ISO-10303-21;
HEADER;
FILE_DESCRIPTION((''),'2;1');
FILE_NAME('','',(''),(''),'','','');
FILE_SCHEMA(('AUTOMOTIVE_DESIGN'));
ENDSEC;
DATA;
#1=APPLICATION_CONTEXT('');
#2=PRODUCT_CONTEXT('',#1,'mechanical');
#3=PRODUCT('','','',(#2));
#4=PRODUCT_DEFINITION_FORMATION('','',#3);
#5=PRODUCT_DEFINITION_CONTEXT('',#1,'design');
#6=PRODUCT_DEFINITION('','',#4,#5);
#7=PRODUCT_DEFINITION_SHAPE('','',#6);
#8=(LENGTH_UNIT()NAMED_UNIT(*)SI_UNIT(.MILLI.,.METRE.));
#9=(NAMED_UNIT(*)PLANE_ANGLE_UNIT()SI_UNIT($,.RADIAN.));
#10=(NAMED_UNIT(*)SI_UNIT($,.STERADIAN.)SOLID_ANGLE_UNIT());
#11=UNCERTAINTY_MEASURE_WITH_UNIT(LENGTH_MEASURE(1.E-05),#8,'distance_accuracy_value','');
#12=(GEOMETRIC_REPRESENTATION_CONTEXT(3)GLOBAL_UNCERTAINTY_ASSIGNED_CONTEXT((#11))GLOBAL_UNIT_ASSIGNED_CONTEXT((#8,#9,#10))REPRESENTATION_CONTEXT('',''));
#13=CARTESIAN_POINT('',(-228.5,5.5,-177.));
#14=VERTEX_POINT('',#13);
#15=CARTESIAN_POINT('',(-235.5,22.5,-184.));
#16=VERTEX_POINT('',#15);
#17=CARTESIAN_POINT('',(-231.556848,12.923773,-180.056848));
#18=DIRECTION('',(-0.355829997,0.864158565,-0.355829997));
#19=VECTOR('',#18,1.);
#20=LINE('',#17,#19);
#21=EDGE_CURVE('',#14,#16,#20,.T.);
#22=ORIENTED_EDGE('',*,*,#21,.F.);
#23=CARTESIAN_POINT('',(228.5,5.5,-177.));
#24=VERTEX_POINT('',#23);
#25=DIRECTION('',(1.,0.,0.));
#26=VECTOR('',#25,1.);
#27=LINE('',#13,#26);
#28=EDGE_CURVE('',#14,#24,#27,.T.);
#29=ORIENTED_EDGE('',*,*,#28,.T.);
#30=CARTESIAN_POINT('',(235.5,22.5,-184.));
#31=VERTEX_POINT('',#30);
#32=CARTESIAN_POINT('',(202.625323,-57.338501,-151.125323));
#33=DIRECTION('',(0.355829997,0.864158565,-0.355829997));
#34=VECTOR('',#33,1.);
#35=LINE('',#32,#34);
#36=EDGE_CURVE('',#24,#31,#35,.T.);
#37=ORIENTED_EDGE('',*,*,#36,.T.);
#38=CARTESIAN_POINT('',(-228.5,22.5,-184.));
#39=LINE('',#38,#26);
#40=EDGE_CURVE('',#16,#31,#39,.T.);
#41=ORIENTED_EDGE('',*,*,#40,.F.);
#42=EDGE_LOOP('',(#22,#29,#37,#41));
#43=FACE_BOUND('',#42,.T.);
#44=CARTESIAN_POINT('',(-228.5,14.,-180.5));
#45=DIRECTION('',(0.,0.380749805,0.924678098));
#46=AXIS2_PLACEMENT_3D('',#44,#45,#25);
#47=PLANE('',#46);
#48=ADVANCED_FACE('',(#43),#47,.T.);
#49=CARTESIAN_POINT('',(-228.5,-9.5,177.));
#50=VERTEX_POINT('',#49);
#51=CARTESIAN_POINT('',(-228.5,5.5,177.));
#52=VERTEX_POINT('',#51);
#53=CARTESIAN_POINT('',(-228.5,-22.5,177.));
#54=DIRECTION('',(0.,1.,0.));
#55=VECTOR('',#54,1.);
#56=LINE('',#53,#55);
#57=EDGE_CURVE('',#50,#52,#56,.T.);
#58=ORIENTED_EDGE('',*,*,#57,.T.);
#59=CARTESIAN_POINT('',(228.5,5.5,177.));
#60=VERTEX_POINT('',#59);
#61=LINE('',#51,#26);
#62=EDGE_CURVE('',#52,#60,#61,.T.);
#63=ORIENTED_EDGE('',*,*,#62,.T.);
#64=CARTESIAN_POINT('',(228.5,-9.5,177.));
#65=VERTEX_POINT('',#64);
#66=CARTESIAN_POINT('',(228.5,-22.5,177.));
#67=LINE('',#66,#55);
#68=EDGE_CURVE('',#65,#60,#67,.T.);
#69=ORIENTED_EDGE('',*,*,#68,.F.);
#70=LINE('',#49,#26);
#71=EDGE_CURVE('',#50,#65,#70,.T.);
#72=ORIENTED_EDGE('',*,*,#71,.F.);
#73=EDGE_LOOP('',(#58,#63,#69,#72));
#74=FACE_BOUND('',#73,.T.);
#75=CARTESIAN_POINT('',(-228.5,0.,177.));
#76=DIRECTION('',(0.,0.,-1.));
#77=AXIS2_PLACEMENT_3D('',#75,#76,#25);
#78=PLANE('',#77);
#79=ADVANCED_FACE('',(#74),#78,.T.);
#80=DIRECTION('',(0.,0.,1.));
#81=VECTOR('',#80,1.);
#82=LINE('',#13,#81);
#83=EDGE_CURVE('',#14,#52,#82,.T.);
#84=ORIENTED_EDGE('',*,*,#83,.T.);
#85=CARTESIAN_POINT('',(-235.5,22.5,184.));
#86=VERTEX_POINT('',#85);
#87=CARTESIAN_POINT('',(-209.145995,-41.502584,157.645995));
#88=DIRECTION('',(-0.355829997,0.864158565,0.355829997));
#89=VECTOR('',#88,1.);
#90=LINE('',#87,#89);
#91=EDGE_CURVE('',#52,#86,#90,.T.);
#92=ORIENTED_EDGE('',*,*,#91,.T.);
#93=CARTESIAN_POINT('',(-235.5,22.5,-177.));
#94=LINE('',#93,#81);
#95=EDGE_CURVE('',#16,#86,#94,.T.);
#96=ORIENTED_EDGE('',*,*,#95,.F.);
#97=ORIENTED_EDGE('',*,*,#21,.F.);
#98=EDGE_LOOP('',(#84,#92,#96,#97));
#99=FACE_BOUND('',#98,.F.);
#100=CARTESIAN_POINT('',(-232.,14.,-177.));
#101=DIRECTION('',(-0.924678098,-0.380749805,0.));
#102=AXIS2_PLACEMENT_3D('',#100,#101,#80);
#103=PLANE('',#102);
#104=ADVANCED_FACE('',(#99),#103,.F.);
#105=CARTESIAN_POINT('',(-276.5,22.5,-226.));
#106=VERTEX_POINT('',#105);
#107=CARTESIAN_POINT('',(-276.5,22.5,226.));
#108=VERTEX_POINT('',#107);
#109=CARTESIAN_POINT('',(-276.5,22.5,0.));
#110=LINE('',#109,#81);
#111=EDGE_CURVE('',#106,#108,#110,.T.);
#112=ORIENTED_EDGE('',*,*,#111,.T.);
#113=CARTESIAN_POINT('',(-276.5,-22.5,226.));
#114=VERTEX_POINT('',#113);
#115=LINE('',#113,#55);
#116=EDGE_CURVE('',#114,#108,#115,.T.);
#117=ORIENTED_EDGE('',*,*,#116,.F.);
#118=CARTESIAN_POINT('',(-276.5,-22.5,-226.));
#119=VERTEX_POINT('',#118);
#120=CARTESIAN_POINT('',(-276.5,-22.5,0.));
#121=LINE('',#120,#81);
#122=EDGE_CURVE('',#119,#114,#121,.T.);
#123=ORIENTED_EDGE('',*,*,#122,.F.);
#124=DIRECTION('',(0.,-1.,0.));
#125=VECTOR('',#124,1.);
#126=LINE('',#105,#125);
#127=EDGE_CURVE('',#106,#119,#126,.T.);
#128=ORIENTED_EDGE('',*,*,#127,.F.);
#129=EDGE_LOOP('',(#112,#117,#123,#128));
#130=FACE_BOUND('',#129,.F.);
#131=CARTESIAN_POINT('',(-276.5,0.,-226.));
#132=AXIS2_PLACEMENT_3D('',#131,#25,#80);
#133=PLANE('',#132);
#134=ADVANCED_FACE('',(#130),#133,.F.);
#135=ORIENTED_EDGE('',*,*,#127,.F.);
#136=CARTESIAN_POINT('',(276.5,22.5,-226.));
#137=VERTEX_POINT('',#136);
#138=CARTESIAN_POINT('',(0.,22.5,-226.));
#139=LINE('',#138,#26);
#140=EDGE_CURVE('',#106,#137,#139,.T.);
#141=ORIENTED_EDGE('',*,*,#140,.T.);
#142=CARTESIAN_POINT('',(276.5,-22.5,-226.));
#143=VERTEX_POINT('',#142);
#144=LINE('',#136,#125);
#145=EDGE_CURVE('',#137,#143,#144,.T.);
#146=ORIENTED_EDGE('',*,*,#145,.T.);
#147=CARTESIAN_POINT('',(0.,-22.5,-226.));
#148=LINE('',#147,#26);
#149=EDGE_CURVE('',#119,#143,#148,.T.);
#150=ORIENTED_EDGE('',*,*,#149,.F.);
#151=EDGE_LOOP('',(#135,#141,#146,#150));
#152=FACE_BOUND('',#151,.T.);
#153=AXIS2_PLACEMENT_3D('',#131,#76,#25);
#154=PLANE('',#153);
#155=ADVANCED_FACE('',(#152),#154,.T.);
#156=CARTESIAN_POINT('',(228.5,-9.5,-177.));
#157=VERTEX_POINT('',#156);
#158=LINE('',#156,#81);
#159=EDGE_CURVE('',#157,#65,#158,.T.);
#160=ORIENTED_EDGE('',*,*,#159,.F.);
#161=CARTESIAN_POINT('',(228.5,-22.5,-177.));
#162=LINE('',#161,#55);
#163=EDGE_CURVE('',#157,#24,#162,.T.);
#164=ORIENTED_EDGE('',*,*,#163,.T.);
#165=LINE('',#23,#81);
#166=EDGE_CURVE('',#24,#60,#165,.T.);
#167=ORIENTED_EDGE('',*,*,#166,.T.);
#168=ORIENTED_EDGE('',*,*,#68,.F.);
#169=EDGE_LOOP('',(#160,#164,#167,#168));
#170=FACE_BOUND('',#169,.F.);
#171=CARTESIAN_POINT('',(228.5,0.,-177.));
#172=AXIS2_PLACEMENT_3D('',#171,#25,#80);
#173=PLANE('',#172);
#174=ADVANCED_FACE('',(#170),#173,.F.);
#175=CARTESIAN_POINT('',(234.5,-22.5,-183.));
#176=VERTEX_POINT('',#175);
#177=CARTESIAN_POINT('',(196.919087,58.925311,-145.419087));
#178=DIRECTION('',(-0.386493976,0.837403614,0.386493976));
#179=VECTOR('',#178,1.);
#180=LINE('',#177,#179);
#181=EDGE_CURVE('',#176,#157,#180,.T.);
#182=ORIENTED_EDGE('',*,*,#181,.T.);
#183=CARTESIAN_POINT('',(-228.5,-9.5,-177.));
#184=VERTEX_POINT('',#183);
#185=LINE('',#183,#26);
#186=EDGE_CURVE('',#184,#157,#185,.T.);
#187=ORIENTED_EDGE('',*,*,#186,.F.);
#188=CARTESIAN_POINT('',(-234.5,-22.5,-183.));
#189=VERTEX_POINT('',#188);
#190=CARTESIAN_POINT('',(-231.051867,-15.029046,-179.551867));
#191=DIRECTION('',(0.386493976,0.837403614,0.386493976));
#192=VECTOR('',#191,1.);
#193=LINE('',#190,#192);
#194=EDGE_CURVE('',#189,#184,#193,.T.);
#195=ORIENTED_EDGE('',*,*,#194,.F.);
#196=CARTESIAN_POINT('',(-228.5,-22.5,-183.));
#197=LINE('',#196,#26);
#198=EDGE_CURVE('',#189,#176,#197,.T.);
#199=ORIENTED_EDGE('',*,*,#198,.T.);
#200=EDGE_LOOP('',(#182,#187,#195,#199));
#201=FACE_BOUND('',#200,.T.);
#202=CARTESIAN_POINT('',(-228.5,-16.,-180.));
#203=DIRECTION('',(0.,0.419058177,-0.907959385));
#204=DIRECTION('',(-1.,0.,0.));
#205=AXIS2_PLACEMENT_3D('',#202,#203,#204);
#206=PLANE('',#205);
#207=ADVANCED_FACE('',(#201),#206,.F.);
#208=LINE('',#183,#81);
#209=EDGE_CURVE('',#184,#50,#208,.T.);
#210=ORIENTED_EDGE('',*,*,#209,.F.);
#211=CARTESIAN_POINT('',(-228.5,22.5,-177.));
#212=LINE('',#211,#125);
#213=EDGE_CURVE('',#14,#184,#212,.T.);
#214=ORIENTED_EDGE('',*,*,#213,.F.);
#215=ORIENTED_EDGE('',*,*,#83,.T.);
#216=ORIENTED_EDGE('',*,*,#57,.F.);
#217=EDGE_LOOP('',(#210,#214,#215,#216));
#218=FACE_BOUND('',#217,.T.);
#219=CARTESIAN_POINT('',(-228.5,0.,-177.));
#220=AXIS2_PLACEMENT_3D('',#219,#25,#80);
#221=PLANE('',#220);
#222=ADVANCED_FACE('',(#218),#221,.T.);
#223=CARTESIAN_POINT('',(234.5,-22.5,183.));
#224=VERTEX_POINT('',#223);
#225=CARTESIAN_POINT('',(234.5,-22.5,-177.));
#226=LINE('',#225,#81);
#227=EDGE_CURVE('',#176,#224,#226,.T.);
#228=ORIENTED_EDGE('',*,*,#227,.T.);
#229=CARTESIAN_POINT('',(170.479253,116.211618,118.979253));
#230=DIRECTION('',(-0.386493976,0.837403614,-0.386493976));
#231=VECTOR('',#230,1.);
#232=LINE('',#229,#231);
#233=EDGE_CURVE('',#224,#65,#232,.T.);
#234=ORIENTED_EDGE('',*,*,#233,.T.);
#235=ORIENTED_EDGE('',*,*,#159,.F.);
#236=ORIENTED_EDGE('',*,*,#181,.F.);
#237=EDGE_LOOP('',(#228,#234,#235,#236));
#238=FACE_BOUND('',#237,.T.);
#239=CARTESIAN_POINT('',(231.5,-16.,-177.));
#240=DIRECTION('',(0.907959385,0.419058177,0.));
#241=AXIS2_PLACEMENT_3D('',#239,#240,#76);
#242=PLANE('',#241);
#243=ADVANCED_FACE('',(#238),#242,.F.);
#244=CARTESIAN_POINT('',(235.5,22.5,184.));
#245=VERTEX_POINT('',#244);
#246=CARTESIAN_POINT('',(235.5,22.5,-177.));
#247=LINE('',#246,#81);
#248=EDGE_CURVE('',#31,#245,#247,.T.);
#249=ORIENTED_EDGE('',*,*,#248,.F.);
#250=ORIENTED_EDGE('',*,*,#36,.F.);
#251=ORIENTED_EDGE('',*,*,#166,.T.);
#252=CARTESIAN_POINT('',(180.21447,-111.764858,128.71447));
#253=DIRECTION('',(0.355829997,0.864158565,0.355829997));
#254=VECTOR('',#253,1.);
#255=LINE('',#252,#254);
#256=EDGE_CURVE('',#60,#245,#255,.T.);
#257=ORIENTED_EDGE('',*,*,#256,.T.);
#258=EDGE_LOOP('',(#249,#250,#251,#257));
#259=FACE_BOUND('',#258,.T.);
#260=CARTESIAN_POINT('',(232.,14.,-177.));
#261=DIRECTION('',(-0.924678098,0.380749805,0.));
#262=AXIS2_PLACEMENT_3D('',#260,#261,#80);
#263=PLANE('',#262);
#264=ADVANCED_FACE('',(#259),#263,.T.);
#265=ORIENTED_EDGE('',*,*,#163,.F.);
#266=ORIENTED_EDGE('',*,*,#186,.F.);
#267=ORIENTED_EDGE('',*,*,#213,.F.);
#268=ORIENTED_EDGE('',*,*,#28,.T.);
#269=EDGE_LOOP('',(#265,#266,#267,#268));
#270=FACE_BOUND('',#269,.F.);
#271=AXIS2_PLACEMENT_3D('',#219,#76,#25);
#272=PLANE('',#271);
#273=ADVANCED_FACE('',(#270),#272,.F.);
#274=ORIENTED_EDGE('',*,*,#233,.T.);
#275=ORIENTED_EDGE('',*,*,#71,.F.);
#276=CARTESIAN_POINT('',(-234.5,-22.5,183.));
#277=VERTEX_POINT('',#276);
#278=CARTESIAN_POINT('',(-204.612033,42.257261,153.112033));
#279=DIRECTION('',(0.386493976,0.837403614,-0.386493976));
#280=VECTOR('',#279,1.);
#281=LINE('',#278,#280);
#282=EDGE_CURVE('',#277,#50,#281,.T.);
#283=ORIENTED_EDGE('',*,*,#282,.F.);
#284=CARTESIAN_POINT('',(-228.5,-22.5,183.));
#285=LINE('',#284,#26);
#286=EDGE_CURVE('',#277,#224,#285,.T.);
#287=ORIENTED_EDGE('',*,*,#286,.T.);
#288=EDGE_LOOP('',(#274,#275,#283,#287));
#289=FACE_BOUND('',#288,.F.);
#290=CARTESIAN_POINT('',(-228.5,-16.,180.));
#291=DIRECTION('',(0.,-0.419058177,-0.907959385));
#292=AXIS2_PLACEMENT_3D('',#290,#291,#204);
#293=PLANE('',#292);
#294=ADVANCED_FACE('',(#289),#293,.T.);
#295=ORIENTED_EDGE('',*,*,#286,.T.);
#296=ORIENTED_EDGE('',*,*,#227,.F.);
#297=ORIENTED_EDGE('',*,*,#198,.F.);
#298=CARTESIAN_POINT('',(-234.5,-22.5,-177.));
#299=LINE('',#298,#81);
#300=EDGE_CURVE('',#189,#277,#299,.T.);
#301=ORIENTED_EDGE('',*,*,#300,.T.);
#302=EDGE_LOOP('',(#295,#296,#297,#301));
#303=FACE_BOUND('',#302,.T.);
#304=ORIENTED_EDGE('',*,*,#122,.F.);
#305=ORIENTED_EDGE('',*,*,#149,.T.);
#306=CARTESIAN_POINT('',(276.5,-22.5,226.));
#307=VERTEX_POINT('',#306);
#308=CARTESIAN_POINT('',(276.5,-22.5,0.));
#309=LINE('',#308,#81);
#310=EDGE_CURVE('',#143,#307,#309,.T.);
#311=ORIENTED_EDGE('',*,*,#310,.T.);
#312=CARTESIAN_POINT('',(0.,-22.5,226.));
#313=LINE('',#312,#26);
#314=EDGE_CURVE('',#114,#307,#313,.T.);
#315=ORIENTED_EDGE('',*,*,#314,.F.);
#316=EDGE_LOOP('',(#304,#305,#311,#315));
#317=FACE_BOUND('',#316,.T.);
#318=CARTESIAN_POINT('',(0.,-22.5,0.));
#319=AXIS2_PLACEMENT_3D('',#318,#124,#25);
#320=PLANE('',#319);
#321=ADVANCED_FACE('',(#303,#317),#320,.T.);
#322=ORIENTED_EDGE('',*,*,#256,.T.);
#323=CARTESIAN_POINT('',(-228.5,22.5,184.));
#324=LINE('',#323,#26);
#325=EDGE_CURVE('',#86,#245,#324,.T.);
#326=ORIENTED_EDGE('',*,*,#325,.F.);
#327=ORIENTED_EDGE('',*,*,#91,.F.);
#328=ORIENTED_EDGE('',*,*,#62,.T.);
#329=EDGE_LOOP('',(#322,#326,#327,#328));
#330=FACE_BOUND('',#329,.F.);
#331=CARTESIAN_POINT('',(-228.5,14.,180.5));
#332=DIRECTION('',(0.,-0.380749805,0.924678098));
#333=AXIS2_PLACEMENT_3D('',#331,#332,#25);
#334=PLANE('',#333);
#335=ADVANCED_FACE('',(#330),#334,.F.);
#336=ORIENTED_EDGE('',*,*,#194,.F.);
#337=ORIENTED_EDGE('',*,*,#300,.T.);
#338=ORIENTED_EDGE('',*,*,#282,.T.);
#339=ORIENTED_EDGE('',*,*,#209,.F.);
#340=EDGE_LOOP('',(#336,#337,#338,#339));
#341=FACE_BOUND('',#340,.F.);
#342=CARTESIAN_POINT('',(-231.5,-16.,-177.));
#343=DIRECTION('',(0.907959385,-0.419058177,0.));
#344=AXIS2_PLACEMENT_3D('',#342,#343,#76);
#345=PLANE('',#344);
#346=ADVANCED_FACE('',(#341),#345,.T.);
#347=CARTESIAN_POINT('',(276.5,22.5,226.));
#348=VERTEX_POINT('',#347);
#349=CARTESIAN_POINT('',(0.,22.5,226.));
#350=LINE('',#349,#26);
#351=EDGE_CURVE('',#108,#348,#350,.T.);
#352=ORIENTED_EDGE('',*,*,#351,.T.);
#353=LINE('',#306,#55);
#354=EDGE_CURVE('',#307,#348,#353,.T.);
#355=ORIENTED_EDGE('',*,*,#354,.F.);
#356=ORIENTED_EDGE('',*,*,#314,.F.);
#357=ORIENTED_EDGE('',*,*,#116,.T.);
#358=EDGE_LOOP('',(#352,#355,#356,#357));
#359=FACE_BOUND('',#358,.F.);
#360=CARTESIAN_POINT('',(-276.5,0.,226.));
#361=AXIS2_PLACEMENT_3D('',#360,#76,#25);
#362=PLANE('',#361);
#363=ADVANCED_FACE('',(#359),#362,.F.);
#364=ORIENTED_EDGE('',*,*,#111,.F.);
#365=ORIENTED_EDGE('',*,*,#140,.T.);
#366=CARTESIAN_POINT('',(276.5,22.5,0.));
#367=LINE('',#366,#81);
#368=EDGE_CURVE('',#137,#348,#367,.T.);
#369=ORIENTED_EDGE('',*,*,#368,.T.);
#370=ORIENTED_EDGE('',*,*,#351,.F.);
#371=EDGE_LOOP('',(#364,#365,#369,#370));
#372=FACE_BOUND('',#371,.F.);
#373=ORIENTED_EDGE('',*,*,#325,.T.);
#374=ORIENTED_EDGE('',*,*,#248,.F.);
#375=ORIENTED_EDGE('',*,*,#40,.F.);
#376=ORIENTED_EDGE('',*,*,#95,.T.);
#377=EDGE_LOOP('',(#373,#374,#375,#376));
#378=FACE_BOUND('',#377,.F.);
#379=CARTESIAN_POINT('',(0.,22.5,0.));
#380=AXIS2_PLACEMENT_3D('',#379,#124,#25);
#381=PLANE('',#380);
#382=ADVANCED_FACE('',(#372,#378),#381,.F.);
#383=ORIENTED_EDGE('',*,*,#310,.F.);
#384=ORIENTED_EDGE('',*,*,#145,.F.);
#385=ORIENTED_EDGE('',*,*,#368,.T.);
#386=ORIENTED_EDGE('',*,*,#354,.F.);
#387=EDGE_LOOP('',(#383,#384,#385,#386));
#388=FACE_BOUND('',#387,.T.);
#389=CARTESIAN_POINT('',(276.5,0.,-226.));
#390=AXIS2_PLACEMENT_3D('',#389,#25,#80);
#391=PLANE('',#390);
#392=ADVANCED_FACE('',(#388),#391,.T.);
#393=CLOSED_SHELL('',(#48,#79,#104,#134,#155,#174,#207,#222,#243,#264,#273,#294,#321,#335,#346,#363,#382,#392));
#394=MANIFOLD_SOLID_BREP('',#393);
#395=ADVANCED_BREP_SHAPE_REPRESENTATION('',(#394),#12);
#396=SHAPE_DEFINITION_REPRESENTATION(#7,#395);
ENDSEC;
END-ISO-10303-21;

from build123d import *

# Parameters (mm, degrees)
F0_W     = 553
F0_H     = 452
F0_W_2   = 457
F0_H_2   = 354
F1_DEPTH = 22.5
F2_SIZE2 = 13
F2_SIZE  = 6
F3_SIZE2 = 7
F3_SIZE  = 17


with BuildPart() as f1:
    # F0 (on Front) → F1 (new body, symmetric)
    with BuildSketch(Plane.XZ):
        Rectangle(F0_W, F0_H)
        Rectangle(F0_W_2, F0_H_2, mode=Mode.SUBTRACT)
    extrude(amount=F1_DEPTH, both=True)

    # F2
    f2_edges = [f1.edges().sort_by_distance(p)[0] for p in [
        (0, -22.5, -177),
        (-228.5, -22.5, 0),
        (228.5, -22.5, 0),
        (0, -22.5, 177),
    ]]
    chamfer(f2_edges, length=F2_SIZE, length2=F2_SIZE2)

    # F3
    f3_edges = [f1.edges().sort_by_distance(p)[0] for p in [
        (0, 22.5, -177),
        (-228.5, 22.5, 0),
        (0, 22.5, 177),
        (228.5, 22.5, 0),
    ]]
    chamfer(f3_edges, length=F3_SIZE, length2=F3_SIZE2)


solid = f1.part
